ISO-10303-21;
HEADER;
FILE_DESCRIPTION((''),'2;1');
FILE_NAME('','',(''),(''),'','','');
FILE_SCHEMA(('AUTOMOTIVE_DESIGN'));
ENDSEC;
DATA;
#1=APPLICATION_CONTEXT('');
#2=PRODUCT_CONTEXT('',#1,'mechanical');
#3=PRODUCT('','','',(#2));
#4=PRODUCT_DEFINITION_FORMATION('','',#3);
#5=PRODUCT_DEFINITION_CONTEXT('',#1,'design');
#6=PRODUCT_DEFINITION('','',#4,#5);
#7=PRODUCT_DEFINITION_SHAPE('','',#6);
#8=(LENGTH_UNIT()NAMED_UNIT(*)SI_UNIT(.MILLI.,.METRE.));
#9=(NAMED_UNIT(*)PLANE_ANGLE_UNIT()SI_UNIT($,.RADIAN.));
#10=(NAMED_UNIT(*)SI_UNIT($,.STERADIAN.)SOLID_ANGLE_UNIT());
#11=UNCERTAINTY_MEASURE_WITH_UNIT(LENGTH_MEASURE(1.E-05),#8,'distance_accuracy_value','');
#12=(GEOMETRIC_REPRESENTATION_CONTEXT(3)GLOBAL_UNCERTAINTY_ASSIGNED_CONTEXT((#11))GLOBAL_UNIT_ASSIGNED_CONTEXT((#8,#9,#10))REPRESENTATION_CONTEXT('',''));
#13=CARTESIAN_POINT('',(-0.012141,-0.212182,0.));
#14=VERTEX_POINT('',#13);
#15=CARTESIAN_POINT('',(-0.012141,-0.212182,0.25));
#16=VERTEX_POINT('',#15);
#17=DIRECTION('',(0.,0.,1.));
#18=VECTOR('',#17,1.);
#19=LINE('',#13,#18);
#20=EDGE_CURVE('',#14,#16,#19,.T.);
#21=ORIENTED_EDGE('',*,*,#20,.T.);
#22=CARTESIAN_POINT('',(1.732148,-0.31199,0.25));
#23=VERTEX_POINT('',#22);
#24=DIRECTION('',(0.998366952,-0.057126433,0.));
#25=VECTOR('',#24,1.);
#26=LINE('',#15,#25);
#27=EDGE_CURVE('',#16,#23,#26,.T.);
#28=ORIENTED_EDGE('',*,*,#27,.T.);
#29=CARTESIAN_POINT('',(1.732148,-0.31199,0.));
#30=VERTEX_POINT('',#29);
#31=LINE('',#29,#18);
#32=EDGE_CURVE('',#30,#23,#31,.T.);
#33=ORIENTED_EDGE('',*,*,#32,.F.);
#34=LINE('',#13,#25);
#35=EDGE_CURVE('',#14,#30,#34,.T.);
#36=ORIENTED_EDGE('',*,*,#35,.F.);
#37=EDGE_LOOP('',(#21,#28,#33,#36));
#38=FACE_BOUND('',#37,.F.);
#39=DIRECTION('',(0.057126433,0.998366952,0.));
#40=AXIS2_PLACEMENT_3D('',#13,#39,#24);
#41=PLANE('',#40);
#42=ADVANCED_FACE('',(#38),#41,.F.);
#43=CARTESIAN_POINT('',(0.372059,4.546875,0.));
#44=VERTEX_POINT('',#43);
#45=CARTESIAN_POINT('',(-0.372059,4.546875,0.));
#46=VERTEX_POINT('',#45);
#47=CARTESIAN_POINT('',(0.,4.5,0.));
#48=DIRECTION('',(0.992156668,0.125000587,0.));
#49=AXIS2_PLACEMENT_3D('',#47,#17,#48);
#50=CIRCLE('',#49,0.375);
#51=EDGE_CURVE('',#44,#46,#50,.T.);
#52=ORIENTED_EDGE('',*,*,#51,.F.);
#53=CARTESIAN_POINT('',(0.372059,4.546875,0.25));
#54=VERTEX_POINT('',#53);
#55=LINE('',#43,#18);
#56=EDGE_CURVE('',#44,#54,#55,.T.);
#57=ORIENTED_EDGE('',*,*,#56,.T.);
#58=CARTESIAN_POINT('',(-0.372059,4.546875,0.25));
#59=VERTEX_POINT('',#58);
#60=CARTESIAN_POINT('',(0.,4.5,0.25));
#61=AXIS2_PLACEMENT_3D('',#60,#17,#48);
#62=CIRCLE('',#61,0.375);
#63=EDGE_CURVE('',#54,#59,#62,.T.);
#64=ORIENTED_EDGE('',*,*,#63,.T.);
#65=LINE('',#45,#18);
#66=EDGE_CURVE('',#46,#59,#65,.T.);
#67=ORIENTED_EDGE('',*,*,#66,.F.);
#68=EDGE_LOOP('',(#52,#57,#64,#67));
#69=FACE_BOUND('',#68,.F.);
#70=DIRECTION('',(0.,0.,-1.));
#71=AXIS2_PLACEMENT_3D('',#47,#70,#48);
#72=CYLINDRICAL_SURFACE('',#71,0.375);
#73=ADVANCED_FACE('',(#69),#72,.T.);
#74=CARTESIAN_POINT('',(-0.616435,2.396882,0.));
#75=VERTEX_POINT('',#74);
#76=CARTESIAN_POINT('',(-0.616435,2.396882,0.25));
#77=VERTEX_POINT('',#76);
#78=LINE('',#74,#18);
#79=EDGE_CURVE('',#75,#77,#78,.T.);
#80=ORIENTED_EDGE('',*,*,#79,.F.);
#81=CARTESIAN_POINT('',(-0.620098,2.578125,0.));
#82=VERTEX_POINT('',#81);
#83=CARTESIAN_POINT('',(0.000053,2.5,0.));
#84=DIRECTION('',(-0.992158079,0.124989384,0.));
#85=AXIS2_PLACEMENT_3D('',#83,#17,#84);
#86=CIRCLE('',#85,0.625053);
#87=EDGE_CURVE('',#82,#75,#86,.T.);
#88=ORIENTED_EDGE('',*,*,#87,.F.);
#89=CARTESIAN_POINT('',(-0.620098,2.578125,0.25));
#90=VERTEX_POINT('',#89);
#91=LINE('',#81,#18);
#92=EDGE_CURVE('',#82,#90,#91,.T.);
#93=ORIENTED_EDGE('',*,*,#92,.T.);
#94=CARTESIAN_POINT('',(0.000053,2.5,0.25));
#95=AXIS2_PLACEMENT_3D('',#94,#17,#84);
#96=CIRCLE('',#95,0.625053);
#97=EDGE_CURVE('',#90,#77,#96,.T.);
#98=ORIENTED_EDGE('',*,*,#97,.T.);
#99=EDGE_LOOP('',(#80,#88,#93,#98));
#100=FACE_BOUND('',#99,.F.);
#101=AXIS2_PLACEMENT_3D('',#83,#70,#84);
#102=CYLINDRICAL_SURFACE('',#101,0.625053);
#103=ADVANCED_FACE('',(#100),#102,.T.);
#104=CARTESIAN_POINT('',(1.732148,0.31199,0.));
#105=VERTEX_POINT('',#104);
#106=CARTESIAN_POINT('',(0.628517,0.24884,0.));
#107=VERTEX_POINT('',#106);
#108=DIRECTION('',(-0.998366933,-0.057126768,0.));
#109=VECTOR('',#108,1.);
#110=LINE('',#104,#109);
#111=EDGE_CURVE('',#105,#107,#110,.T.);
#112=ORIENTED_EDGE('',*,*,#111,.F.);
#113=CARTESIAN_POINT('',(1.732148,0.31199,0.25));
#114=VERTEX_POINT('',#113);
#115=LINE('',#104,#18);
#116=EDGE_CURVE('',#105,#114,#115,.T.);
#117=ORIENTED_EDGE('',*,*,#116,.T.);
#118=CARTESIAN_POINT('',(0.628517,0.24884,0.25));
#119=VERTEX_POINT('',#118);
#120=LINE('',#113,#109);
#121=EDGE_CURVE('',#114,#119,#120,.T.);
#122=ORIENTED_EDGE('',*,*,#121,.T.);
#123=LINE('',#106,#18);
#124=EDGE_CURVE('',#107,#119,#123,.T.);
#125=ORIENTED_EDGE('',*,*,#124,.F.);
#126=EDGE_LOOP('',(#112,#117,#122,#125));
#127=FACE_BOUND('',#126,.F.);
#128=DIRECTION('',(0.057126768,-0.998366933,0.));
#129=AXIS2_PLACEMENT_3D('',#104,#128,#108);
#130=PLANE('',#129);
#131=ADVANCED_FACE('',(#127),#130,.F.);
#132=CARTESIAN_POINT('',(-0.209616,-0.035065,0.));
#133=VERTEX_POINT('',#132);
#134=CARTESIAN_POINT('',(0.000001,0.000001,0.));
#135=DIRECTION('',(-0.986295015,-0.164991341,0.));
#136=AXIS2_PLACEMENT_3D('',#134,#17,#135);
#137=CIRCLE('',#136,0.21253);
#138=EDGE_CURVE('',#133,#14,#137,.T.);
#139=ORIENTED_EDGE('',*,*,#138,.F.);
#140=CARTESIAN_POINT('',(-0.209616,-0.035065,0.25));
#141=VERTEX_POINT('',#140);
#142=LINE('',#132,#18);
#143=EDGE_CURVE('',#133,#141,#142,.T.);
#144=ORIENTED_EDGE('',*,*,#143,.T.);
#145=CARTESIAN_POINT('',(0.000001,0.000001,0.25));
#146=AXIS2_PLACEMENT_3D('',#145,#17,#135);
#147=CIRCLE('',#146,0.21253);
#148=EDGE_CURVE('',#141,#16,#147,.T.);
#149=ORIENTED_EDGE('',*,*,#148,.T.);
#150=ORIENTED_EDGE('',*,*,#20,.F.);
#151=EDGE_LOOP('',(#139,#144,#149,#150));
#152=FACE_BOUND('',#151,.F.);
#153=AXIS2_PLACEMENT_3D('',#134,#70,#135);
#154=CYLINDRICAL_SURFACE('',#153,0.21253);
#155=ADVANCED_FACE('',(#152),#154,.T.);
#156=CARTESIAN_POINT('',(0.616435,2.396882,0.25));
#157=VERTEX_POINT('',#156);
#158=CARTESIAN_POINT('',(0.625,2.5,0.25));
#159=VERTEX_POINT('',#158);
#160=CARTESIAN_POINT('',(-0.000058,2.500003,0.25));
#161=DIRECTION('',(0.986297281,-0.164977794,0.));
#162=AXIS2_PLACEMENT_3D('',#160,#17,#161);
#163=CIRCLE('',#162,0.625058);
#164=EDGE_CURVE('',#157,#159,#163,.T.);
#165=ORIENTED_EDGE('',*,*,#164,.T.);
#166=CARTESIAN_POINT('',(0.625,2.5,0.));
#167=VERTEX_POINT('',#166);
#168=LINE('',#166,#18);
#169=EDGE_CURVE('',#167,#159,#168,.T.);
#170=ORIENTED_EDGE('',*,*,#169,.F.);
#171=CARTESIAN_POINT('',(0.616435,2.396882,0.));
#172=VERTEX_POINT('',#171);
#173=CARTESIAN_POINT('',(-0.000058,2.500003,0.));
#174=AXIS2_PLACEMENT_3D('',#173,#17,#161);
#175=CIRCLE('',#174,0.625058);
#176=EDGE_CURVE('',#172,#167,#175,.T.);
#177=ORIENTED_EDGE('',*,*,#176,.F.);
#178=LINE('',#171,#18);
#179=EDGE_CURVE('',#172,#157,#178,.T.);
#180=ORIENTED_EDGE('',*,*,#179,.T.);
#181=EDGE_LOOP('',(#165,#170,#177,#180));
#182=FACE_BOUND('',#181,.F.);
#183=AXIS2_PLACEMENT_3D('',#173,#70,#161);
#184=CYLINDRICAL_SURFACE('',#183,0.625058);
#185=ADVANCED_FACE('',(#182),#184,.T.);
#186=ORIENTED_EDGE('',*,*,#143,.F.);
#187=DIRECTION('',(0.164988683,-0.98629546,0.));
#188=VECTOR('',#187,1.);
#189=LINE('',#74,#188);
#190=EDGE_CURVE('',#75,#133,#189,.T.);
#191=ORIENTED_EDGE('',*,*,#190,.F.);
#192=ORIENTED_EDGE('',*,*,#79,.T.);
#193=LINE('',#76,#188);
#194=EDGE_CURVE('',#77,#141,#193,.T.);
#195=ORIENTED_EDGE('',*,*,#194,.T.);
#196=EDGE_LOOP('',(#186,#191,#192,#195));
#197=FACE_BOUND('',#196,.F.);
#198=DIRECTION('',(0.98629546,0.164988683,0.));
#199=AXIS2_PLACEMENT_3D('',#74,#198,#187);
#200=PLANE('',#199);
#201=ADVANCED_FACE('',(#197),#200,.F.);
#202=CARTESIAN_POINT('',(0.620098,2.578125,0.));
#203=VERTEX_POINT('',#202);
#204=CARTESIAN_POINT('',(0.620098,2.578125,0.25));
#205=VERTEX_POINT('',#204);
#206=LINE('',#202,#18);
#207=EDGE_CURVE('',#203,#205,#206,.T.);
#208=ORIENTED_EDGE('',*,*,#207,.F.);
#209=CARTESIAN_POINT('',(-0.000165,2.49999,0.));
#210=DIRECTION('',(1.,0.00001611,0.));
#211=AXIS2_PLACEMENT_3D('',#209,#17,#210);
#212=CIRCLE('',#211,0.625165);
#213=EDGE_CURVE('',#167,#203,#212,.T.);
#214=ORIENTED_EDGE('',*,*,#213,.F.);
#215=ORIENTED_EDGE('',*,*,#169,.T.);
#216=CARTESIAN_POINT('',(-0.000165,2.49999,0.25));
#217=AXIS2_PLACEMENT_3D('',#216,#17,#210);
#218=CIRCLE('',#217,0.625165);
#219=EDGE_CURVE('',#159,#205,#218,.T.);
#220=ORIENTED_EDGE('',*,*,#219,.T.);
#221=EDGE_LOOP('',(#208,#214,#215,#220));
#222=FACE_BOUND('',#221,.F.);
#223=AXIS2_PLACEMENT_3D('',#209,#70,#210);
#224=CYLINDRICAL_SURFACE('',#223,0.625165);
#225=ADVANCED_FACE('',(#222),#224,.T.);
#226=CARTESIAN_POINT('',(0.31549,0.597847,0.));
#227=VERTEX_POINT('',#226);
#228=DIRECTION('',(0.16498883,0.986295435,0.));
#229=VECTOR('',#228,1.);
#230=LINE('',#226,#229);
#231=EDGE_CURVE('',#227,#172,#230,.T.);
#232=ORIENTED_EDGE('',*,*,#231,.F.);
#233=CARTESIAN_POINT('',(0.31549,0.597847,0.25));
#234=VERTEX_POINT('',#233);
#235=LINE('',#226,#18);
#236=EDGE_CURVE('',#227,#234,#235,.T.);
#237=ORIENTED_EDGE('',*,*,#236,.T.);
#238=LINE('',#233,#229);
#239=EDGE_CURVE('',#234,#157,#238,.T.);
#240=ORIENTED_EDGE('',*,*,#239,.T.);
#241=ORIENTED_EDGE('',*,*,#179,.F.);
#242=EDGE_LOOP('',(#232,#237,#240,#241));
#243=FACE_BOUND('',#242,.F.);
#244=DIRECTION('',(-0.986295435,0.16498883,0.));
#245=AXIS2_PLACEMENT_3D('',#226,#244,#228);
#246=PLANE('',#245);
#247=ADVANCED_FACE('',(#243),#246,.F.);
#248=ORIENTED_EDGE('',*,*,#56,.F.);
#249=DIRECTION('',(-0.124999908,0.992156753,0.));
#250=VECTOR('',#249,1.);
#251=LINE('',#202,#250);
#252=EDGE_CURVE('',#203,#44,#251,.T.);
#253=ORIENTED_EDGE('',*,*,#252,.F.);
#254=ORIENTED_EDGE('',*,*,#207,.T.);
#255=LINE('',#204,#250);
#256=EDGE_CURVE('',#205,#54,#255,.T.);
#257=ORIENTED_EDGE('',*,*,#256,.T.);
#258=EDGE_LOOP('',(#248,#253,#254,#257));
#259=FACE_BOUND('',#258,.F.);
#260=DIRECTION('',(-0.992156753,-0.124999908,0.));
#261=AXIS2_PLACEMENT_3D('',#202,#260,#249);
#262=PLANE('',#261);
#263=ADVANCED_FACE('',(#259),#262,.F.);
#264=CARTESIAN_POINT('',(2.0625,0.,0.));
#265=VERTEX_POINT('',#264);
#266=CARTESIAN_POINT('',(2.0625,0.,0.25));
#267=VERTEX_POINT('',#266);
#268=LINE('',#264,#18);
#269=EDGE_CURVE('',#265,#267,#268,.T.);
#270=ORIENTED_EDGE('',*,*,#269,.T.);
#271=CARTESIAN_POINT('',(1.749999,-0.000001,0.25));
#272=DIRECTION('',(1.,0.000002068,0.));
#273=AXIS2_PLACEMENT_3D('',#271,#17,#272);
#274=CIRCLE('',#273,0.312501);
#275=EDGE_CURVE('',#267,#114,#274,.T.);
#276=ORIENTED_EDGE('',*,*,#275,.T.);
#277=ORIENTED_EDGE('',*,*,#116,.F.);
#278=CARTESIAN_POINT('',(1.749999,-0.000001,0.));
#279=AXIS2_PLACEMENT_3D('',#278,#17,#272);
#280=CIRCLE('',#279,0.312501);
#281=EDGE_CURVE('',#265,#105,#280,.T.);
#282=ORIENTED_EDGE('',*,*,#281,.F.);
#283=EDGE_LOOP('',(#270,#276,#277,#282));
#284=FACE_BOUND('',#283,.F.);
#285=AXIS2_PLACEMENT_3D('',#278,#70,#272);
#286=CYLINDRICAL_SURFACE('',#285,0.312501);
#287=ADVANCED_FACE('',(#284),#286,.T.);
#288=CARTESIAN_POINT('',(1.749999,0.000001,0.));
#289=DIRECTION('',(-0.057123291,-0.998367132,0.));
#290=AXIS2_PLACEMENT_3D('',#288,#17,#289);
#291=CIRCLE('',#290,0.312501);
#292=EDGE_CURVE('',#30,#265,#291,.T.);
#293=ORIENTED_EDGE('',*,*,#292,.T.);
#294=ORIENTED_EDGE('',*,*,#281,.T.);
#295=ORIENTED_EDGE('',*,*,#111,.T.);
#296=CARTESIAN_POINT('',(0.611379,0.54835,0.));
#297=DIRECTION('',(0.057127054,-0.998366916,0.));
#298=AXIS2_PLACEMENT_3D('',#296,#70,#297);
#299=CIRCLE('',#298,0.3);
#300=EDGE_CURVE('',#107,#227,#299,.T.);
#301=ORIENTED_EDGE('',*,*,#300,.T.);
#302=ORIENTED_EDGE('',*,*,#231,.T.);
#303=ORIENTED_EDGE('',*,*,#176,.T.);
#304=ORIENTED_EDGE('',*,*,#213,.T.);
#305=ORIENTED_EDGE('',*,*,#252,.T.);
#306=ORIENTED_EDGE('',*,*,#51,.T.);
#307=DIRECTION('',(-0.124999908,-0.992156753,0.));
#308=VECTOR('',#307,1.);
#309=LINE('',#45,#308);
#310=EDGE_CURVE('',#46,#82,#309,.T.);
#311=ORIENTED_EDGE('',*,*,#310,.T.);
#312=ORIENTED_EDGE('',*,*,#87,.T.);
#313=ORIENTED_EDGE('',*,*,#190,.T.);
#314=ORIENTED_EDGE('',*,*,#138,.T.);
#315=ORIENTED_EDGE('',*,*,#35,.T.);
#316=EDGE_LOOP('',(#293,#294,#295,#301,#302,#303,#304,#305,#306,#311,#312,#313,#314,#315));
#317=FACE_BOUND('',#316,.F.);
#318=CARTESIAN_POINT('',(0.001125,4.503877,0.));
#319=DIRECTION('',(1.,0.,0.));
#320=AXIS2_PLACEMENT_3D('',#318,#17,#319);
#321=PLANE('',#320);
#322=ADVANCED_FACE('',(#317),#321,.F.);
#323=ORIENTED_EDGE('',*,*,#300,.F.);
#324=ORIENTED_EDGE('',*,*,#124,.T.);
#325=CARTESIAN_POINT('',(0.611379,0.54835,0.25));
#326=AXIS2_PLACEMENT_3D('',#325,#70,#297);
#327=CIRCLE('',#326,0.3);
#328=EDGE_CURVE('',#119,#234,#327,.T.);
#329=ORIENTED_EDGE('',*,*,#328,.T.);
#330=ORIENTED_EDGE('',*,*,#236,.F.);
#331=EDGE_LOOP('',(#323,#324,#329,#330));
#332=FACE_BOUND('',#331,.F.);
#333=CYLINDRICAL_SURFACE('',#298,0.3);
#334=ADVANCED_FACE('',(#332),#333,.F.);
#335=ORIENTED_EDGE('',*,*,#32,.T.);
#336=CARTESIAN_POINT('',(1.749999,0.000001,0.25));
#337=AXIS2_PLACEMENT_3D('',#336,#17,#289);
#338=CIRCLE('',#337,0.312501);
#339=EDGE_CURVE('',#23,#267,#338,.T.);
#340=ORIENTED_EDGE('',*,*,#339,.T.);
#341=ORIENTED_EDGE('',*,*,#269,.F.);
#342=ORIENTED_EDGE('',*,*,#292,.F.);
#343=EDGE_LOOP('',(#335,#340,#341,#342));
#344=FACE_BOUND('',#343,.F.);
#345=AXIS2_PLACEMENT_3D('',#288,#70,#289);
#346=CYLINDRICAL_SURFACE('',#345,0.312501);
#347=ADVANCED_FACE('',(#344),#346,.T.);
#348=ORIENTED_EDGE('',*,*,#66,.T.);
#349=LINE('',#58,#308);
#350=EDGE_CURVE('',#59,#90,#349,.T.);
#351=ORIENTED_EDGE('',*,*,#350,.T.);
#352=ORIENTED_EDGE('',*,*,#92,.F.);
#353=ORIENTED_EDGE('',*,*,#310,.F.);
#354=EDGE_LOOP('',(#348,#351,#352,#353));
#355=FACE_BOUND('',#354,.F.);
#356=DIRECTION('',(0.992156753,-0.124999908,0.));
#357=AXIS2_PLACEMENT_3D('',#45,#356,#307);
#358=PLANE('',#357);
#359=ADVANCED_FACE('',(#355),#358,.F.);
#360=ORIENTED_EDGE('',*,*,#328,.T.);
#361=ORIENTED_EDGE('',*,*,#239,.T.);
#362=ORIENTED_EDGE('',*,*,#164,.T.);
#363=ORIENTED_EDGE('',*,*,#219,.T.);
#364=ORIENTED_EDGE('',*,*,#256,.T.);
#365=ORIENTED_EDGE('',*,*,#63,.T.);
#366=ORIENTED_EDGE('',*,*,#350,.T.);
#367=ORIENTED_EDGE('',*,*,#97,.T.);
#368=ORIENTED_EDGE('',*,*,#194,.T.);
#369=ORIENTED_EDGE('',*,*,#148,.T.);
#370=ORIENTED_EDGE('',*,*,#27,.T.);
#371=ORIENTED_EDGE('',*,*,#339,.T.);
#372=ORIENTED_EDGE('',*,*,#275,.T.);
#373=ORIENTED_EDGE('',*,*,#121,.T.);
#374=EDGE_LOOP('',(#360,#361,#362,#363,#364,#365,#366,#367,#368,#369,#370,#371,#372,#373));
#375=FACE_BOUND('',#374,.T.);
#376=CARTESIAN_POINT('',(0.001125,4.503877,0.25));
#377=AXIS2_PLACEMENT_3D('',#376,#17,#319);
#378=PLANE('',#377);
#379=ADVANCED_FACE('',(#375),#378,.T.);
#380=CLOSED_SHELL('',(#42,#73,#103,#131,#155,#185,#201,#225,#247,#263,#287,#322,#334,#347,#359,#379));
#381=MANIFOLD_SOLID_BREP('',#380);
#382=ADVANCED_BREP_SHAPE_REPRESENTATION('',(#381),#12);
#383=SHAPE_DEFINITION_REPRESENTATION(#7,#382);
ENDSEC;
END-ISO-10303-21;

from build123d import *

# Parameters (mm, degrees)
F1_DEPTH = 0.25


with BuildPart() as f1:
    # F0 (on Top) → F1 (new body)
    with BuildSketch(Plane.XY):
        with BuildLine():
            ThreePointArc((0.372059, 4.546875), (0, 4.875), (-0.372059, 4.546875))
            ThreePointArc((-0.372059, 4.546875), (-0.023484, 4.125736), (0.375, 4.5))
            ThreePointArc((0.375, 4.5), (0.374264, 4.523484), (0.372059, 4.546875))
        make_face()
        with BuildLine():
            Line((-0.372059, 4.546875), (-0.620098, 2.578125))
            ThreePointArc((-0.620098, 2.578125), (0, 3.125), (0.620098, 2.578125))
            Line((0.620098, 2.578125), (0.372059, 4.546875))
            ThreePointArc((0.372059, 4.546875), (0.374264, 4.523484), (0.375, 4.5))
            ThreePointArc((0.375, 4.5), (-0.023484, 4.125736), (-0.372059, 4.546875))
        make_face()
        with BuildLine():
            ThreePointArc((-0.620098, 2.578125), (-0.624872, 2.48737), (-0.616435, 2.396882))
            ThreePointArc((-0.616435, 2.396882), (0, 1.875), (0.616435, 2.396882))
            ThreePointArc((0.616435, 2.396882), (0.622855, 2.448264), (0.625, 2.5))
            ThreePointArc((0.625, 2.5), (0.623773, 2.539139), (0.620098, 2.578125))
            ThreePointArc((0.620098, 2.578125), (0, 3.125), (-0.620098, 2.578125))
        make_face()
        with BuildLine():
            ThreePointArc((-0.209616, -0.035065), (-0.017593, 0.211799), (0.212529, 0))
            ThreePointArc((0.212529, 0), (0.145925, -0.154513), (-0.012141, -0.212182))
            Line((-0.012141, -0.212182), (1.732148, -0.31199))
            ThreePointArc((1.732148, -0.31199), (1.4375, 0), (1.732148, 0.31199))
            Line((1.732148, 0.31199), (0.628517, 0.24884))
            ThreePointArc((0.628517, 0.24884), (0.388047, 0.348043), (0.31549, 0.597847))
            Line((0.31549, 0.597847), (0.616435, 2.396882))
            ThreePointArc((0.616435, 2.396882), (0, 1.875), (-0.616435, 2.396882))
            Line((-0.616435, 2.396882), (-0.209616, -0.035065))
        make_face()
        with BuildLine():
            ThreePointArc((-0.012141, -0.212182), (0.145925, -0.154513), (0.212529, 0))
            ThreePointArc((0.212529, 0), (-0.017593, 0.211799), (-0.209616, -0.035065))
            ThreePointArc((-0.209616, -0.035065), (-0.141904, -0.158214), (-0.012141, -0.212182))
        make_face()
        with BuildLine():
            ThreePointArc((1.732148, 0.31199), (1.4375, 0), (1.732148, -0.31199))
            ThreePointArc((1.732148, -0.31199), (1.964566, -0.227195), (2.0625, 0))
            ThreePointArc((2.0625, 0), (1.964566, 0.227195), (1.732148, 0.31199))
        make_face()
    extrude(amount=F1_DEPTH)


solid = f1.part
